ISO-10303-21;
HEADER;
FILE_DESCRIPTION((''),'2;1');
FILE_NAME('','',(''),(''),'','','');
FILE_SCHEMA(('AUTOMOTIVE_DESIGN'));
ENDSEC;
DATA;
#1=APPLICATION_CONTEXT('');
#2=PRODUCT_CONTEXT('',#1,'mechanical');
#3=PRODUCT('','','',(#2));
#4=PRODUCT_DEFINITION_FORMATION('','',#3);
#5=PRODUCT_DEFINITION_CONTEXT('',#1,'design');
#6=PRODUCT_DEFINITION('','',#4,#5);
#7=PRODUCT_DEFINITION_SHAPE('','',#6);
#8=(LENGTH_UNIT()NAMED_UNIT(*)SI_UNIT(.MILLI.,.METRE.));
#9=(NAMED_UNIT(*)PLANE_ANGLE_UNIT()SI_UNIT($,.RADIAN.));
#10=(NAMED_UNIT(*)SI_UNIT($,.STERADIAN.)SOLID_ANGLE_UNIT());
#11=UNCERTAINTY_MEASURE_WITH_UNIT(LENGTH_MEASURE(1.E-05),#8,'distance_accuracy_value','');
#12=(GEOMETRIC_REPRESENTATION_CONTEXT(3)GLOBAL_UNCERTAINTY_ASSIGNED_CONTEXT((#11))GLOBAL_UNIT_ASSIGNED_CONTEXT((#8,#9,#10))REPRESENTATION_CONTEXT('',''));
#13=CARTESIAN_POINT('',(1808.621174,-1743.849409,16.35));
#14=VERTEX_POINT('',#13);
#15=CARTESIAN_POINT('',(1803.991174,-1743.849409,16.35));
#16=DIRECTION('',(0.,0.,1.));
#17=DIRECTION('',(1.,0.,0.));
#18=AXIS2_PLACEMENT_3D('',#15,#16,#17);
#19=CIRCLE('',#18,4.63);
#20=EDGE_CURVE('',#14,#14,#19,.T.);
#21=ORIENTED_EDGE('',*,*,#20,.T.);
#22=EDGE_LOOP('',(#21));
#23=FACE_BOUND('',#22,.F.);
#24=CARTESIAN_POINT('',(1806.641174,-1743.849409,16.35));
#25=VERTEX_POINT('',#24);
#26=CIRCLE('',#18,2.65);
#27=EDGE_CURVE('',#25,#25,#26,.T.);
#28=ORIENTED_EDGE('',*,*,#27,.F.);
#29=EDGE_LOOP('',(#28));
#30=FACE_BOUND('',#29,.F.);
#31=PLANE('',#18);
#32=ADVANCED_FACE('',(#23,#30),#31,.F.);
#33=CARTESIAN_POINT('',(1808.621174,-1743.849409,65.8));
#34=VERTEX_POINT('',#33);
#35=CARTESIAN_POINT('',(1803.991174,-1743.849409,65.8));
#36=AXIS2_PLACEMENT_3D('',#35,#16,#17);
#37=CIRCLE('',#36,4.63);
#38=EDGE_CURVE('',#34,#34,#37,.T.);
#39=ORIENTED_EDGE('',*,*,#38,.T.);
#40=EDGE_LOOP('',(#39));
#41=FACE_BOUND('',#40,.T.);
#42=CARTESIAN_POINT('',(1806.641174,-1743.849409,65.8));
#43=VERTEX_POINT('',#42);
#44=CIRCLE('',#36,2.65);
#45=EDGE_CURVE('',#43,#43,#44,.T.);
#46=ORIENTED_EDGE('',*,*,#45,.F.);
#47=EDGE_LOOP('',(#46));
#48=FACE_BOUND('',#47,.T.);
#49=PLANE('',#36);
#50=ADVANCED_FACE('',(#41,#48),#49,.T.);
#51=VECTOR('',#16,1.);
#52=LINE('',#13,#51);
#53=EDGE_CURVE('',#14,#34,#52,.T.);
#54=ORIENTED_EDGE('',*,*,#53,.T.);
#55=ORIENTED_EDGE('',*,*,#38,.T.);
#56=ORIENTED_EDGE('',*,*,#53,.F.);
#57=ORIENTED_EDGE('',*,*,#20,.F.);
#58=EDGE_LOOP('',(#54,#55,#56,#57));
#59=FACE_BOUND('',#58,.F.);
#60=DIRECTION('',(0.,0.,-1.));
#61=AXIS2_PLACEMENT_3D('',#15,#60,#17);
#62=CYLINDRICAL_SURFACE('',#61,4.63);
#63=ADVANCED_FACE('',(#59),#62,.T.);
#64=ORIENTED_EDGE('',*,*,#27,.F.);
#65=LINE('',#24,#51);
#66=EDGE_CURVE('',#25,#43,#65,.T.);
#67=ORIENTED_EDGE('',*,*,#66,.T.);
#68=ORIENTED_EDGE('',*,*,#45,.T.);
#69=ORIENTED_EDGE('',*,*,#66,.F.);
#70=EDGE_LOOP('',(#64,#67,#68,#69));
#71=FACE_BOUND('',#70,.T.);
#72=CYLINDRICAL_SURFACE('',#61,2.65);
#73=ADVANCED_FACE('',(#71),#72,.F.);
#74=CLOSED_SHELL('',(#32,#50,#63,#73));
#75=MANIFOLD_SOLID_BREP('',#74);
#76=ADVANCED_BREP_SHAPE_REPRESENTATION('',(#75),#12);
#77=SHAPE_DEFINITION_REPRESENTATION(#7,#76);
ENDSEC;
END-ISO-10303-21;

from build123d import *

# Parameters (mm, degrees)
SKETCH1_R           = 4.63
SKETCH1_R_2         = 2.65
BOSS_EXTRUDE1_DEPTH = 49.45


with BuildPart() as part:
    # Sketch1 → Boss-Extrude1 (new body)
    with BuildSketch(Plane.XY.offset(16.35)):
        with Locations((1803.99117355, -1743.849409116)):
            Circle(SKETCH1_R)
        with Locations((1803.99117355, -1743.849409116)):
            Circle(SKETCH1_R_2, mode=Mode.SUBTRACT)
    extrude(amount=BOSS_EXTRUDE1_DEPTH)


solid = part.part
